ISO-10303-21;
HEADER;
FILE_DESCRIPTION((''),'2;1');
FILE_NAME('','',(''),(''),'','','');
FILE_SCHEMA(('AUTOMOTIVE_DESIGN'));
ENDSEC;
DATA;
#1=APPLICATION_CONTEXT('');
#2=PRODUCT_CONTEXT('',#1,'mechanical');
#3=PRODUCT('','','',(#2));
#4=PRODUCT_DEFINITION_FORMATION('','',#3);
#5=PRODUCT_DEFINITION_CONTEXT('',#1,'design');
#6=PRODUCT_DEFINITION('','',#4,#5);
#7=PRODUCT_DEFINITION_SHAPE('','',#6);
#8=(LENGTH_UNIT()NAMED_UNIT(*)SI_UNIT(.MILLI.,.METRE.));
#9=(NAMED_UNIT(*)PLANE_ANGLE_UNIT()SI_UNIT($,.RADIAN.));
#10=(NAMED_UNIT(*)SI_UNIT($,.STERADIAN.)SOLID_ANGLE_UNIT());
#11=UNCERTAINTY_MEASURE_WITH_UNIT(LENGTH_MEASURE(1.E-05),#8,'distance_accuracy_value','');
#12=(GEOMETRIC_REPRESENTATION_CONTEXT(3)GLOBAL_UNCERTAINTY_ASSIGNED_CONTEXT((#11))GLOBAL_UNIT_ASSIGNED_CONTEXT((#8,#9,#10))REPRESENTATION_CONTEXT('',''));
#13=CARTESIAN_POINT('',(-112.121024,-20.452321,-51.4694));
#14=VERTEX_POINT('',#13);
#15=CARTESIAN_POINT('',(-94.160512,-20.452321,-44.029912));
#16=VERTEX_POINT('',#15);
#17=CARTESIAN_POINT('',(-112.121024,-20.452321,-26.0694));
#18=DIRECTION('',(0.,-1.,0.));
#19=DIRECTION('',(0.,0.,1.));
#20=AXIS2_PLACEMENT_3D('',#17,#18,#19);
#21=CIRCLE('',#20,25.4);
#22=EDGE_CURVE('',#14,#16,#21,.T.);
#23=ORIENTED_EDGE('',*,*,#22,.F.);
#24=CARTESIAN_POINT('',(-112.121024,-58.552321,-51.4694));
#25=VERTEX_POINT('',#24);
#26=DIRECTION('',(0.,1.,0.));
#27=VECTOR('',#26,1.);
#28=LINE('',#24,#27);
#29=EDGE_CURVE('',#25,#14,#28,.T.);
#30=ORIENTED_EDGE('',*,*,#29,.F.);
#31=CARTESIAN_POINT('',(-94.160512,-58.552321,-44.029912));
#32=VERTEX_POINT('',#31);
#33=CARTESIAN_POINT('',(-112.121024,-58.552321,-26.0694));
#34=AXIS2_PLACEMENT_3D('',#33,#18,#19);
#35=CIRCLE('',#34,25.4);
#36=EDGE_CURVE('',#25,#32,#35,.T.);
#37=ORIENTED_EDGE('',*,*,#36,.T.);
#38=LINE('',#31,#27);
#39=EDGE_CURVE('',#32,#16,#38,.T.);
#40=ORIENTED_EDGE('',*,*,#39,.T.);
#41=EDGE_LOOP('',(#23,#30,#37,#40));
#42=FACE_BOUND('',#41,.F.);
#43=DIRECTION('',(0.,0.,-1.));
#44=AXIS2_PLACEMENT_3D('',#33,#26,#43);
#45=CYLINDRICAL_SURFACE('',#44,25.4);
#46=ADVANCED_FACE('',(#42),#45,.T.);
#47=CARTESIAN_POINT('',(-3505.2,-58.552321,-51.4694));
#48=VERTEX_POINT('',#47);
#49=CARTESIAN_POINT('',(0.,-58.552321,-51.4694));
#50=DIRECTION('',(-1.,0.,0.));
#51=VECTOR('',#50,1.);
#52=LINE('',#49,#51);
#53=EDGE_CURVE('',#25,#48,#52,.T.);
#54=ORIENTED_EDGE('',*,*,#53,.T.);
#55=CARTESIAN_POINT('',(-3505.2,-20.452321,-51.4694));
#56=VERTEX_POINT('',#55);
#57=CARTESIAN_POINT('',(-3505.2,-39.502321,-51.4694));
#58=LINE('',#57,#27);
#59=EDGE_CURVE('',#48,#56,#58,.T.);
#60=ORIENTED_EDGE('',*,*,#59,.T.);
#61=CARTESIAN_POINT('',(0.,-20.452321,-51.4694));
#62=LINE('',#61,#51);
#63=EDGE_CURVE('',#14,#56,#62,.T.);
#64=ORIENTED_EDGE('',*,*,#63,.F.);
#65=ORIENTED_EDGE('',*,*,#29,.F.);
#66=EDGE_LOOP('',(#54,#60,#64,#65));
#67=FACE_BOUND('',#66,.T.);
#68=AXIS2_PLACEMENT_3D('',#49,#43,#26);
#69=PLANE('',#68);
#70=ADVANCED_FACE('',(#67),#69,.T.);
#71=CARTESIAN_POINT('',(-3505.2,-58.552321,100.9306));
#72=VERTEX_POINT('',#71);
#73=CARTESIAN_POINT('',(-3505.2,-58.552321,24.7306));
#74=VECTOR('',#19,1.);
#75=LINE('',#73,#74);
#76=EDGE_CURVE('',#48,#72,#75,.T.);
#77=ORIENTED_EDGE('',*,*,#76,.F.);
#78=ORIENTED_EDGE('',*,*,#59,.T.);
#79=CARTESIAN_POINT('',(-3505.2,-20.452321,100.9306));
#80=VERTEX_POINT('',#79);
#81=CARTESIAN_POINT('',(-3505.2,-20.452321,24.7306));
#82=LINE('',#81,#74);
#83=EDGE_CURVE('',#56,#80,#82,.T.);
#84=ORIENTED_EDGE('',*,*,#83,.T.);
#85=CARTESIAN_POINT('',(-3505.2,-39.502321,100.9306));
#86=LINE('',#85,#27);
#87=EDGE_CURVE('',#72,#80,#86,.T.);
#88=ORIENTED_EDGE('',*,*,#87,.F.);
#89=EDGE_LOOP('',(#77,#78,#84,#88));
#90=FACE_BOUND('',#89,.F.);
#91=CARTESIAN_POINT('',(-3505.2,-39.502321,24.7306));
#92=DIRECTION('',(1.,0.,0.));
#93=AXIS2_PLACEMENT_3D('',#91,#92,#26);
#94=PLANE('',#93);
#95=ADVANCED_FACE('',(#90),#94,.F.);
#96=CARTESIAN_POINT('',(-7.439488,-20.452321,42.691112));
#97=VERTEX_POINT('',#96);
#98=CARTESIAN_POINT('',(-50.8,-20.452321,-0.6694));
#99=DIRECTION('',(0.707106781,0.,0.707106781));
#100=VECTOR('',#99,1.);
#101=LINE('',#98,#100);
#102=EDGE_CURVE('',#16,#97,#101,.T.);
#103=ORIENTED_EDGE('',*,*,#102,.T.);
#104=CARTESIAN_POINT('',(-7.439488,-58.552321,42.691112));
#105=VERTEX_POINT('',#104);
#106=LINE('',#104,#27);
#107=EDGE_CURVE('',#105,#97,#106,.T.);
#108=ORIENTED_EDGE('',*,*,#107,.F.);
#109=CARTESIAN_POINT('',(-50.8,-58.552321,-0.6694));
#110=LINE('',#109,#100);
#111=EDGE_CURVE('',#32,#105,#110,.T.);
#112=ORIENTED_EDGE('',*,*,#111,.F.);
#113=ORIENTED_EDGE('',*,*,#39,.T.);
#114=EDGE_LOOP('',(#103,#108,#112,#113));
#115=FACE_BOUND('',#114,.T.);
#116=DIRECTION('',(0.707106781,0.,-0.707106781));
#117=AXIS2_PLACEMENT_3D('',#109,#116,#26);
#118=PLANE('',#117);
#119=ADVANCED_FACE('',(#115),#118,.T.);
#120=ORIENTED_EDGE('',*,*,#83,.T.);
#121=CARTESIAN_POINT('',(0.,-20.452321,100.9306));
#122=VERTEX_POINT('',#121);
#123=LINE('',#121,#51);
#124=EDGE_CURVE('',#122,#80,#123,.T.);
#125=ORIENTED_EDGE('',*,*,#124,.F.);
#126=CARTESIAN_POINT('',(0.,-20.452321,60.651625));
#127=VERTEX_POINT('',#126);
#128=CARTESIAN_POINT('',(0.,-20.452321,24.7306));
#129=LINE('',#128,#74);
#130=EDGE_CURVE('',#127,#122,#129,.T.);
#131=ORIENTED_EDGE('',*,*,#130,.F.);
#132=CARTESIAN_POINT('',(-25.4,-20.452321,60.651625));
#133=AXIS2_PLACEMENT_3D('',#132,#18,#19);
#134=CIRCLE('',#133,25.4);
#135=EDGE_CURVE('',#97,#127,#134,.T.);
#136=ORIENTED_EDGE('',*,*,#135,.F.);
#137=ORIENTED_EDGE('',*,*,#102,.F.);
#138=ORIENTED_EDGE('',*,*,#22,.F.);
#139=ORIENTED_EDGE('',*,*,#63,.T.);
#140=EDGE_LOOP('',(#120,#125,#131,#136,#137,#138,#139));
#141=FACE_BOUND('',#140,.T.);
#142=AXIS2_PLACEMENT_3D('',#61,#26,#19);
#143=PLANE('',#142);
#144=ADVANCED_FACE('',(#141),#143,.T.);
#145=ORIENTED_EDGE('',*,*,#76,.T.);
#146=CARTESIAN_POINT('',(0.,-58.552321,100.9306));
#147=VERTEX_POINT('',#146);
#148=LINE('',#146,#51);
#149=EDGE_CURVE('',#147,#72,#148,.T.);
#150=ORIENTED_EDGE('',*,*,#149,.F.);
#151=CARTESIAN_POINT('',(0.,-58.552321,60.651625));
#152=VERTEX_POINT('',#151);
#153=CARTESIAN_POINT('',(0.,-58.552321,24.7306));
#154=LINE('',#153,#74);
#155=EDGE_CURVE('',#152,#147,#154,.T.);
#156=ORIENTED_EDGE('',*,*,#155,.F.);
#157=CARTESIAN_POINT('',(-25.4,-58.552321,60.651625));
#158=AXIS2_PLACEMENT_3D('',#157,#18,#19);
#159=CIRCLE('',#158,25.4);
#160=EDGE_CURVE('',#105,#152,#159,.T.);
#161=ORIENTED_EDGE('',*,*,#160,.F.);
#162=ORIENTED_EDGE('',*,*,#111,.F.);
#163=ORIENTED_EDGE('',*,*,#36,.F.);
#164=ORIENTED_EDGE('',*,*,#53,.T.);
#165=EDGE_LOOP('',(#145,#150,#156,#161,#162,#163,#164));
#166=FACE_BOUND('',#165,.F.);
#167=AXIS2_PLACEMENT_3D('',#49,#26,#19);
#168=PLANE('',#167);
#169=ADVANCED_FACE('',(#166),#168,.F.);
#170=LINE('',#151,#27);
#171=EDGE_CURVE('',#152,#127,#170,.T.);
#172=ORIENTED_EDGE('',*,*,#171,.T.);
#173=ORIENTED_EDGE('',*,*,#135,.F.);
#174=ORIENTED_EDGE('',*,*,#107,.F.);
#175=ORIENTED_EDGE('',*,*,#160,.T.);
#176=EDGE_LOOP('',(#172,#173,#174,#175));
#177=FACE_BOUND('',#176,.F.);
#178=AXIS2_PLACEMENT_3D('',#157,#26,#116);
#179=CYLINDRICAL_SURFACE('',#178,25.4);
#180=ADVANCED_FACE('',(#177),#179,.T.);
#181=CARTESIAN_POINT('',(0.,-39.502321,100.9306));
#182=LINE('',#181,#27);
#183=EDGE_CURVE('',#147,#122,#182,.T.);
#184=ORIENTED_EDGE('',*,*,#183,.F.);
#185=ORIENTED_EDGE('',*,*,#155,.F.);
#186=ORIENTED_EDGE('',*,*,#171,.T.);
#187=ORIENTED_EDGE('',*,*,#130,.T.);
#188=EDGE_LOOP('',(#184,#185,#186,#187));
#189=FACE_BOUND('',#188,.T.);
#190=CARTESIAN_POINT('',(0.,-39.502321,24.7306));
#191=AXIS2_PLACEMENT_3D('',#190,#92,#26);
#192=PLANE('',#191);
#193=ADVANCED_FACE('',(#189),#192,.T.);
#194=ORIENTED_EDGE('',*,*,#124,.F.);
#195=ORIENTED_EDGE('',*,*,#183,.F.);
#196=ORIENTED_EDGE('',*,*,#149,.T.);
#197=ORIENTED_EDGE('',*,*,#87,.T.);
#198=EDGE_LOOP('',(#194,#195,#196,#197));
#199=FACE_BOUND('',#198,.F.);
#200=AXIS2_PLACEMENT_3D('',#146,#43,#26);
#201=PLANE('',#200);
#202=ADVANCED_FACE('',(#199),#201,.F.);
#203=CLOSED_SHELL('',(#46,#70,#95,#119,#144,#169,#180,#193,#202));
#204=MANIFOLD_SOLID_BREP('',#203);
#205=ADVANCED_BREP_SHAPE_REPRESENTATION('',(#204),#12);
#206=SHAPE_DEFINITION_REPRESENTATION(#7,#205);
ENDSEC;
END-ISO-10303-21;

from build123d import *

# Parameters (mm, degrees)
F0_W     = 38.1
F0_H     = 152.4
F1_DEPTH = 3505.2
F2_SIZE  = 101.6
F3_R     = 25.4


with BuildPart() as f1:
    # F0 (on Right) → F1 (new body)
    with BuildSketch(Plane.YZ):
        with Locations((-39.5023208112, 24.7306000911)):
            Rectangle(F0_W, F0_H)
    extrude(amount=-F1_DEPTH)

    # F2
    f2_edges = [f1.edges().sort_by_distance(p)[0] for p in [
        (0, -39.502321, -51.4694),
    ]]
    chamfer(f2_edges, length=F2_SIZE)

    # F3
    f3_edges = [f1.edges().sort_by_distance(p)[0] for p in [
        (0, -39.502321, 50.1306),
        (-101.6, -39.502321, -51.4694),
    ]]
    fillet(f3_edges, radius=F3_R)


solid = f1.part
